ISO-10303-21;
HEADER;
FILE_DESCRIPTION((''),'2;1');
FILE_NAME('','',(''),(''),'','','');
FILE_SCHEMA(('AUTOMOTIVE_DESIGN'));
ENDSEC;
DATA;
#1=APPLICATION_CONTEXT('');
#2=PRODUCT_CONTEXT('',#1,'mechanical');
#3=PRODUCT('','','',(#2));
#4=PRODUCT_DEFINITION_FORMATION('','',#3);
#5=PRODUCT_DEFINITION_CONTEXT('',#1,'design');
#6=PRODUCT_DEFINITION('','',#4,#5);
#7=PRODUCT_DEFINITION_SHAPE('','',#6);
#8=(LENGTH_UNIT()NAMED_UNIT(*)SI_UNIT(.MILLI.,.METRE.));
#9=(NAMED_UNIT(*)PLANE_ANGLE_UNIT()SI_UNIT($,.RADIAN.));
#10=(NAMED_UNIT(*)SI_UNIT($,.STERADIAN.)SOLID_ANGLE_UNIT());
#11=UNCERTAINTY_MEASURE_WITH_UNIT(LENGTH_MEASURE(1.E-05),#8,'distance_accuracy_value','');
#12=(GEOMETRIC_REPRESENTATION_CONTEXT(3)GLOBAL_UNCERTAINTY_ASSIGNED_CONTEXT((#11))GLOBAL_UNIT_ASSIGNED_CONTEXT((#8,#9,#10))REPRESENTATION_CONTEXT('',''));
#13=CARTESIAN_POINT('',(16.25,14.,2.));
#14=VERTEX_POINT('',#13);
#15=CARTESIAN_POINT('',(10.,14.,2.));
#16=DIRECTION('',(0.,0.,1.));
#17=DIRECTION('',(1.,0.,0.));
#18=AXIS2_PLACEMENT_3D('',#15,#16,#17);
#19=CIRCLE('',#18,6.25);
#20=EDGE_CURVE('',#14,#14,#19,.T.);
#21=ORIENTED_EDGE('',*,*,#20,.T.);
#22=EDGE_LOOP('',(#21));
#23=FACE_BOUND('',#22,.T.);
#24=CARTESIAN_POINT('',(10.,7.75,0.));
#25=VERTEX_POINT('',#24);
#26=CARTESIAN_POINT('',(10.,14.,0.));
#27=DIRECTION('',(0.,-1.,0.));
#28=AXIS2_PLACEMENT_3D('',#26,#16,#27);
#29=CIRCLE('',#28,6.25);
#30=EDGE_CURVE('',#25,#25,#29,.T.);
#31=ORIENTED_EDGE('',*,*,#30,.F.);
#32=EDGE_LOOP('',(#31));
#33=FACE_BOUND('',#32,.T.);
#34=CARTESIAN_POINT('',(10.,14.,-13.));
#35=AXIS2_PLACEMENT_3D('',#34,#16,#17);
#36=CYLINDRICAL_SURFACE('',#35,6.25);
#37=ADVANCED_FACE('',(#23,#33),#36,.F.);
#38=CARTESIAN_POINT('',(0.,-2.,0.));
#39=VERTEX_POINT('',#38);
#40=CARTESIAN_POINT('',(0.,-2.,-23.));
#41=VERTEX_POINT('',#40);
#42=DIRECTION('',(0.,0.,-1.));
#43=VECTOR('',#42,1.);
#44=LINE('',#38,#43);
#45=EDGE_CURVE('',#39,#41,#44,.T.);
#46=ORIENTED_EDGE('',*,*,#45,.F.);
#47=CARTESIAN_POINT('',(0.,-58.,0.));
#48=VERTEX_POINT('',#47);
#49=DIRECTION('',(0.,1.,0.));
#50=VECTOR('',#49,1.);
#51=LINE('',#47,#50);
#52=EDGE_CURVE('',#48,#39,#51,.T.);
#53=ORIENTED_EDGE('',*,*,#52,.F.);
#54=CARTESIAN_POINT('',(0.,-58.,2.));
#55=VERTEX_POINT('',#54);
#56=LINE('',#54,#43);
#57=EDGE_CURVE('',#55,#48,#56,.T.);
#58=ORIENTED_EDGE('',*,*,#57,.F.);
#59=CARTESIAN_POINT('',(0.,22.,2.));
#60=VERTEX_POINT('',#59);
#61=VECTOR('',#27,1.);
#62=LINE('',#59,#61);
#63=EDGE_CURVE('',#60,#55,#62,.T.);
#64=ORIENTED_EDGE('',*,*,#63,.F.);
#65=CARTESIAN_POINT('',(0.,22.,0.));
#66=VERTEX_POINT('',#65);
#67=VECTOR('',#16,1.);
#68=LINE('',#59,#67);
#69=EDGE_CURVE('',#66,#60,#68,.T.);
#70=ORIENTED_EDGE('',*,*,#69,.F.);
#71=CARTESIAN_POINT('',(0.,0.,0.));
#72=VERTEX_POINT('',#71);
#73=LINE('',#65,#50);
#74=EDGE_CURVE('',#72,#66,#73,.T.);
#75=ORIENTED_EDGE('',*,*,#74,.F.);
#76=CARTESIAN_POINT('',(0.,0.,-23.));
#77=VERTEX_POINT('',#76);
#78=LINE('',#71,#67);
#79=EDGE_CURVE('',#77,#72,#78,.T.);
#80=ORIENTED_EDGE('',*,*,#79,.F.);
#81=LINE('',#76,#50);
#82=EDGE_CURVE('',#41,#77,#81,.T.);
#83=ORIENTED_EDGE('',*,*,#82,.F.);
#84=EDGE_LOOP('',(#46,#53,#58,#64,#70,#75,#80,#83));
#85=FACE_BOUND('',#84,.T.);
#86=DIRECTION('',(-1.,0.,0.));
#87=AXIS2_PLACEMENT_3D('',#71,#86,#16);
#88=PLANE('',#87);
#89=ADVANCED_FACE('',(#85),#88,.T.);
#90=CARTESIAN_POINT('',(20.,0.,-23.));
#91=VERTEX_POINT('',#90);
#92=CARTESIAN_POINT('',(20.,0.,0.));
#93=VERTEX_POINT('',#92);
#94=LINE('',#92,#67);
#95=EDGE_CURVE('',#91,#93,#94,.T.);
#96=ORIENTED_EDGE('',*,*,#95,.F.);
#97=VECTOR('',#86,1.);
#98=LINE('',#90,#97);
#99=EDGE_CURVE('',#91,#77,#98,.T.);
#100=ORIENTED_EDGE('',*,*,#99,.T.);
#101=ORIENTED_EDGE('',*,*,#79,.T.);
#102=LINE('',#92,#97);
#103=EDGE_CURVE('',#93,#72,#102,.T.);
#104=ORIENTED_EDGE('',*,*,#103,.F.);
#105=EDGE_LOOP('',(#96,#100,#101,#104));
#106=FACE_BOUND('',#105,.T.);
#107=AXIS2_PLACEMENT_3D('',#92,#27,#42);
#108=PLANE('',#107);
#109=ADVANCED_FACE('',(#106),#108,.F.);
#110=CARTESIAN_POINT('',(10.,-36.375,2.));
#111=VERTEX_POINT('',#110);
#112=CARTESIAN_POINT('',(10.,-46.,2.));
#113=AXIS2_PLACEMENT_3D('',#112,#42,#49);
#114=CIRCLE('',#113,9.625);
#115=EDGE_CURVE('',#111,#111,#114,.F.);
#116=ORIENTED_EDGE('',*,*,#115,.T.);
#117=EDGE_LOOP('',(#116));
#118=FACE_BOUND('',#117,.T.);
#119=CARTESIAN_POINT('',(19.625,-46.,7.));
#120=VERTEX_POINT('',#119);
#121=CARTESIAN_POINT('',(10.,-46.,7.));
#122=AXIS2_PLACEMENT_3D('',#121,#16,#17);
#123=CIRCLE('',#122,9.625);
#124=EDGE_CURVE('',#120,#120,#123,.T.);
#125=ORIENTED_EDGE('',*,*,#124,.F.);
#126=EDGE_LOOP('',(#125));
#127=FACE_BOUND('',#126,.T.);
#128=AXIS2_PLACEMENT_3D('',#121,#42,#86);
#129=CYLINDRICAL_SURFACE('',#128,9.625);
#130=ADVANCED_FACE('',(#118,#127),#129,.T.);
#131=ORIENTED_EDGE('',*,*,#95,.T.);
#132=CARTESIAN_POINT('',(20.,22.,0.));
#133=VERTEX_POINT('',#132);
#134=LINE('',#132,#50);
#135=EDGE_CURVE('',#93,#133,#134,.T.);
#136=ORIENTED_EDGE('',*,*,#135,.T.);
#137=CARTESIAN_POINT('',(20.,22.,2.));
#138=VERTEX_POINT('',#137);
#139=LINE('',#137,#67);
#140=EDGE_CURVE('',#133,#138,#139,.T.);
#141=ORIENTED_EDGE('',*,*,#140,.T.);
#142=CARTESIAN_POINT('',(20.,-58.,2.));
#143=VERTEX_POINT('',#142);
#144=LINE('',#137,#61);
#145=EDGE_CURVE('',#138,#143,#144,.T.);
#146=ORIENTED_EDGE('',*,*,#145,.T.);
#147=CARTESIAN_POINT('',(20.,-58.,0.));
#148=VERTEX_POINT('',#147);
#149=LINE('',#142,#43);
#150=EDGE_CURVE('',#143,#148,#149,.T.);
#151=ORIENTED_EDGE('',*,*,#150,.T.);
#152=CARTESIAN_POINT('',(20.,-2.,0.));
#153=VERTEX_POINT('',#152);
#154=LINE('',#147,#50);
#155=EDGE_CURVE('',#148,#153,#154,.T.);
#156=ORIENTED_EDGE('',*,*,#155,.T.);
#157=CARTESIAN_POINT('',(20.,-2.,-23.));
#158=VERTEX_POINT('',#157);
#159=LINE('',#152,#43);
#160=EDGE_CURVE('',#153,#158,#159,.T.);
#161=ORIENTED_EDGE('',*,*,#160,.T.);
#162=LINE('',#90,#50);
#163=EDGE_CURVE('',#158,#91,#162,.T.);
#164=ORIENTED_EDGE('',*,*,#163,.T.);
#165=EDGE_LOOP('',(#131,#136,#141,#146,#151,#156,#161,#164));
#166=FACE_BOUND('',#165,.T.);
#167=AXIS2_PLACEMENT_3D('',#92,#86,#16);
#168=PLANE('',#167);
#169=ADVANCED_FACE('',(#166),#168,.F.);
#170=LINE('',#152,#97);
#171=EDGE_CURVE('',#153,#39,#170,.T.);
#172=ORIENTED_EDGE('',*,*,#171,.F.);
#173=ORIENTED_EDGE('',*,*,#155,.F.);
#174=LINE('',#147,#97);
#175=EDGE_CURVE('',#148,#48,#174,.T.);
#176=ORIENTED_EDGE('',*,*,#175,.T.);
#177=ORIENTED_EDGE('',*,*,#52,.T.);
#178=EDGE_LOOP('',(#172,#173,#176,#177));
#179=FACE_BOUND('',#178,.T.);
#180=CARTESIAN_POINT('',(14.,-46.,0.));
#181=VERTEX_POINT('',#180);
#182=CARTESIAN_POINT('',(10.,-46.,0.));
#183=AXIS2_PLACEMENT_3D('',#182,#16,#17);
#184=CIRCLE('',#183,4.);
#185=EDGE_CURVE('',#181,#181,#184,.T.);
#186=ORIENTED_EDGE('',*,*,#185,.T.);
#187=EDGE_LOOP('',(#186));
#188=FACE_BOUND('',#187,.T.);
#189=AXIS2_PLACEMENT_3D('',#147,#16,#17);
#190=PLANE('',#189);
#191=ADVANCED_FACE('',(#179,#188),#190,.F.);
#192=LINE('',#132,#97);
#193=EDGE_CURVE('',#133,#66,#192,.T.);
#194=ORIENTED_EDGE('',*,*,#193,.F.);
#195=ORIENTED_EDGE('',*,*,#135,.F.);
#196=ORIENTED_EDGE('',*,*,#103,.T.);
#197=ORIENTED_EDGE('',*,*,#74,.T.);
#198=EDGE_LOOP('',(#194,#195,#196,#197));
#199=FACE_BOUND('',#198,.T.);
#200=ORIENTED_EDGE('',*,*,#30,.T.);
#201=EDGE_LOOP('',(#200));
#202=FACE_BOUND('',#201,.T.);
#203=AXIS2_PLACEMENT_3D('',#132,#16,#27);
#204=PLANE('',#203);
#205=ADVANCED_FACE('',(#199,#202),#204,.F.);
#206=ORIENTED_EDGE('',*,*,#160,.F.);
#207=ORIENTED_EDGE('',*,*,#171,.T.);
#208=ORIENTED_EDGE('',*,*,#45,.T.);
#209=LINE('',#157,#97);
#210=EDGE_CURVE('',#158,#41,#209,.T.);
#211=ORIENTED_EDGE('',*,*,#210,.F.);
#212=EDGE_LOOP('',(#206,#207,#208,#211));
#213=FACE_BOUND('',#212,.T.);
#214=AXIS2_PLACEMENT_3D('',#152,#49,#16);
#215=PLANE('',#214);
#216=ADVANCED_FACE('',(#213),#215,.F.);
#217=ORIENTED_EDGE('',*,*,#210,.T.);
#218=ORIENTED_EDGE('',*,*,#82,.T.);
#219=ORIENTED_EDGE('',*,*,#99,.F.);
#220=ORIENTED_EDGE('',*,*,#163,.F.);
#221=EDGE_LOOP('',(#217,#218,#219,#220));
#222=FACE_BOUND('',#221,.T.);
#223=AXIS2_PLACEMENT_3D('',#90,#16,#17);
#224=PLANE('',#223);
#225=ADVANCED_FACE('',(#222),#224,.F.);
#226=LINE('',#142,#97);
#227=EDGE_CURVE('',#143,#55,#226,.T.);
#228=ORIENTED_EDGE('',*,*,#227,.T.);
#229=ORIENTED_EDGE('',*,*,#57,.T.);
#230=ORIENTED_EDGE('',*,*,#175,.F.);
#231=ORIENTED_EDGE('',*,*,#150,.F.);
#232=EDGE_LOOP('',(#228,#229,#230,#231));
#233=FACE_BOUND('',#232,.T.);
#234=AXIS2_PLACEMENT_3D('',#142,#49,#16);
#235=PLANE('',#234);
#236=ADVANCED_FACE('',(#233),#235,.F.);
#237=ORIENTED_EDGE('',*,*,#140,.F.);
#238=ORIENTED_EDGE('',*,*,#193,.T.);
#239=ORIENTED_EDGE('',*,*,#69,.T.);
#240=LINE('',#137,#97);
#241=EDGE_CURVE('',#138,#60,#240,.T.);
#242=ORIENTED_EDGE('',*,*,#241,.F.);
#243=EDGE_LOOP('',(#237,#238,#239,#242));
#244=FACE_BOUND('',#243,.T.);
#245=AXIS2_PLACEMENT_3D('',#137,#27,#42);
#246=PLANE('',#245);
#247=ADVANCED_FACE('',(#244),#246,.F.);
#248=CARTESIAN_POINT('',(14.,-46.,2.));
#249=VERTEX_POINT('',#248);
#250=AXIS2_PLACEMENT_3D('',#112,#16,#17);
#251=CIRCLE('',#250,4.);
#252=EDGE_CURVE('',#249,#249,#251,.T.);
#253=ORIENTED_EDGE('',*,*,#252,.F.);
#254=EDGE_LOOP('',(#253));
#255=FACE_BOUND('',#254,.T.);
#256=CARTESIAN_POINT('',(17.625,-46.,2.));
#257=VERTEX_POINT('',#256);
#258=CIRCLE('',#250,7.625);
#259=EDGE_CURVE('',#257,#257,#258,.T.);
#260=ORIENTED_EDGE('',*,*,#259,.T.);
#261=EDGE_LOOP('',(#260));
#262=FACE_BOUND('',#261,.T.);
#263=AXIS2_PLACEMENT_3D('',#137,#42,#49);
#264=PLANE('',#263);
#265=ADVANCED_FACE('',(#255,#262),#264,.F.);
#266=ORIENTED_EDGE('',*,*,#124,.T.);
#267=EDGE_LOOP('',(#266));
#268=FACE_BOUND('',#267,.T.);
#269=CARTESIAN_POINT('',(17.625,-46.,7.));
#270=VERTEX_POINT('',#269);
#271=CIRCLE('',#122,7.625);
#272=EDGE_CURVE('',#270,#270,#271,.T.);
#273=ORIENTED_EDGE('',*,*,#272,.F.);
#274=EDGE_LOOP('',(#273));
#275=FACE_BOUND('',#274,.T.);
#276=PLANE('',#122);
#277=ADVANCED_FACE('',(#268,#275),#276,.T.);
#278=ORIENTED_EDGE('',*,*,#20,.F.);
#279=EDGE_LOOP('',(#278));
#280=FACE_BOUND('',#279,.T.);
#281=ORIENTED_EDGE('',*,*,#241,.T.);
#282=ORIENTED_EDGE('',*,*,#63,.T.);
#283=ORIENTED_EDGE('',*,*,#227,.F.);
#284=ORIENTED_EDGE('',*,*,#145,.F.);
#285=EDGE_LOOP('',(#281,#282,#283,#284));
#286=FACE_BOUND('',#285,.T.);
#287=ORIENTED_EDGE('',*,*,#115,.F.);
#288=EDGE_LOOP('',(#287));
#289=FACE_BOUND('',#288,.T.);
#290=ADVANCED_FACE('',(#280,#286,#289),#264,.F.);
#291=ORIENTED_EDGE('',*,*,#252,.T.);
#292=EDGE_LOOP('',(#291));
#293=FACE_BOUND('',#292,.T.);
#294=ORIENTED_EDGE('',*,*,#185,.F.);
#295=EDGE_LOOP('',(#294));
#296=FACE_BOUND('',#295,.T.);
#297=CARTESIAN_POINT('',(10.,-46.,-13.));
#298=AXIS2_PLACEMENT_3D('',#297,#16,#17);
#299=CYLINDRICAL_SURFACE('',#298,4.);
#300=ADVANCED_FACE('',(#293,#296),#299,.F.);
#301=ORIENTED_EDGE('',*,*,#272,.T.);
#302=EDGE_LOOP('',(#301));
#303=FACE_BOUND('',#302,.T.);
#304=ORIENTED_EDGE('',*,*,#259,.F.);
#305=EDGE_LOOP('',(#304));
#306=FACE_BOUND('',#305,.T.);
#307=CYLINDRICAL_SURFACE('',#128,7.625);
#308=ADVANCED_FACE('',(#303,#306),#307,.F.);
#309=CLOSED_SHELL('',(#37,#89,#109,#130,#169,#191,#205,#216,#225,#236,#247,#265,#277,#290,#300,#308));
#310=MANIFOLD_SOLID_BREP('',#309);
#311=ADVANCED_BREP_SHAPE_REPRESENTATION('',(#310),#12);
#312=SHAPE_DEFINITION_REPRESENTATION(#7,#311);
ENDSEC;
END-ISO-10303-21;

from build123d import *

# Parameters (mm, degrees)
BOSS_EXTRUDE1_DEPTH = 20
SKETCH2_R           = 6.25
SKETCH2_R_2         = 4
CUT_EXTRUDE1_DEPTH  = 15
SKETCH3_R           = 9.625
SKETCH3_R_2         = 7.625
BOSS_EXTRUDE2_DEPTH = 5


with BuildPart() as part:
    # Sketch1 → Boss-Extrude1 (new body)
    with BuildSketch(Plane(origin=(0, 0, 0), x_dir=(0, 0, -1), z_dir=(1, 0, 0))):
        Polygon((0, 22), (0, 0), (23, 0), (23, -2), (0, -2), (0, -58), (-2, -58), (-2, 22), align=None)
    extrude(amount=BOSS_EXTRUDE1_DEPTH)

    # Sketch2 → Cut-Extrude1 (cut)
    with BuildSketch(Plane.XY.offset(2)):
        with Locations((10, 14)):
            Circle(SKETCH2_R)
        with Locations((10, -46)):
            Circle(SKETCH2_R_2)
    extrude(amount=-CUT_EXTRUDE1_DEPTH, mode=Mode.SUBTRACT)

    # Sketch3 → Boss-Extrude2 (add)
    with BuildSketch(Plane.XY.offset(2)):
        with Locations(Location((10, -46, 0), (0, 0, 90))):
            Circle(SKETCH3_R)
        with Locations((10, -46)):
            Circle(SKETCH3_R_2, mode=Mode.SUBTRACT)
    extrude(amount=BOSS_EXTRUDE2_DEPTH)


solid = part.part
